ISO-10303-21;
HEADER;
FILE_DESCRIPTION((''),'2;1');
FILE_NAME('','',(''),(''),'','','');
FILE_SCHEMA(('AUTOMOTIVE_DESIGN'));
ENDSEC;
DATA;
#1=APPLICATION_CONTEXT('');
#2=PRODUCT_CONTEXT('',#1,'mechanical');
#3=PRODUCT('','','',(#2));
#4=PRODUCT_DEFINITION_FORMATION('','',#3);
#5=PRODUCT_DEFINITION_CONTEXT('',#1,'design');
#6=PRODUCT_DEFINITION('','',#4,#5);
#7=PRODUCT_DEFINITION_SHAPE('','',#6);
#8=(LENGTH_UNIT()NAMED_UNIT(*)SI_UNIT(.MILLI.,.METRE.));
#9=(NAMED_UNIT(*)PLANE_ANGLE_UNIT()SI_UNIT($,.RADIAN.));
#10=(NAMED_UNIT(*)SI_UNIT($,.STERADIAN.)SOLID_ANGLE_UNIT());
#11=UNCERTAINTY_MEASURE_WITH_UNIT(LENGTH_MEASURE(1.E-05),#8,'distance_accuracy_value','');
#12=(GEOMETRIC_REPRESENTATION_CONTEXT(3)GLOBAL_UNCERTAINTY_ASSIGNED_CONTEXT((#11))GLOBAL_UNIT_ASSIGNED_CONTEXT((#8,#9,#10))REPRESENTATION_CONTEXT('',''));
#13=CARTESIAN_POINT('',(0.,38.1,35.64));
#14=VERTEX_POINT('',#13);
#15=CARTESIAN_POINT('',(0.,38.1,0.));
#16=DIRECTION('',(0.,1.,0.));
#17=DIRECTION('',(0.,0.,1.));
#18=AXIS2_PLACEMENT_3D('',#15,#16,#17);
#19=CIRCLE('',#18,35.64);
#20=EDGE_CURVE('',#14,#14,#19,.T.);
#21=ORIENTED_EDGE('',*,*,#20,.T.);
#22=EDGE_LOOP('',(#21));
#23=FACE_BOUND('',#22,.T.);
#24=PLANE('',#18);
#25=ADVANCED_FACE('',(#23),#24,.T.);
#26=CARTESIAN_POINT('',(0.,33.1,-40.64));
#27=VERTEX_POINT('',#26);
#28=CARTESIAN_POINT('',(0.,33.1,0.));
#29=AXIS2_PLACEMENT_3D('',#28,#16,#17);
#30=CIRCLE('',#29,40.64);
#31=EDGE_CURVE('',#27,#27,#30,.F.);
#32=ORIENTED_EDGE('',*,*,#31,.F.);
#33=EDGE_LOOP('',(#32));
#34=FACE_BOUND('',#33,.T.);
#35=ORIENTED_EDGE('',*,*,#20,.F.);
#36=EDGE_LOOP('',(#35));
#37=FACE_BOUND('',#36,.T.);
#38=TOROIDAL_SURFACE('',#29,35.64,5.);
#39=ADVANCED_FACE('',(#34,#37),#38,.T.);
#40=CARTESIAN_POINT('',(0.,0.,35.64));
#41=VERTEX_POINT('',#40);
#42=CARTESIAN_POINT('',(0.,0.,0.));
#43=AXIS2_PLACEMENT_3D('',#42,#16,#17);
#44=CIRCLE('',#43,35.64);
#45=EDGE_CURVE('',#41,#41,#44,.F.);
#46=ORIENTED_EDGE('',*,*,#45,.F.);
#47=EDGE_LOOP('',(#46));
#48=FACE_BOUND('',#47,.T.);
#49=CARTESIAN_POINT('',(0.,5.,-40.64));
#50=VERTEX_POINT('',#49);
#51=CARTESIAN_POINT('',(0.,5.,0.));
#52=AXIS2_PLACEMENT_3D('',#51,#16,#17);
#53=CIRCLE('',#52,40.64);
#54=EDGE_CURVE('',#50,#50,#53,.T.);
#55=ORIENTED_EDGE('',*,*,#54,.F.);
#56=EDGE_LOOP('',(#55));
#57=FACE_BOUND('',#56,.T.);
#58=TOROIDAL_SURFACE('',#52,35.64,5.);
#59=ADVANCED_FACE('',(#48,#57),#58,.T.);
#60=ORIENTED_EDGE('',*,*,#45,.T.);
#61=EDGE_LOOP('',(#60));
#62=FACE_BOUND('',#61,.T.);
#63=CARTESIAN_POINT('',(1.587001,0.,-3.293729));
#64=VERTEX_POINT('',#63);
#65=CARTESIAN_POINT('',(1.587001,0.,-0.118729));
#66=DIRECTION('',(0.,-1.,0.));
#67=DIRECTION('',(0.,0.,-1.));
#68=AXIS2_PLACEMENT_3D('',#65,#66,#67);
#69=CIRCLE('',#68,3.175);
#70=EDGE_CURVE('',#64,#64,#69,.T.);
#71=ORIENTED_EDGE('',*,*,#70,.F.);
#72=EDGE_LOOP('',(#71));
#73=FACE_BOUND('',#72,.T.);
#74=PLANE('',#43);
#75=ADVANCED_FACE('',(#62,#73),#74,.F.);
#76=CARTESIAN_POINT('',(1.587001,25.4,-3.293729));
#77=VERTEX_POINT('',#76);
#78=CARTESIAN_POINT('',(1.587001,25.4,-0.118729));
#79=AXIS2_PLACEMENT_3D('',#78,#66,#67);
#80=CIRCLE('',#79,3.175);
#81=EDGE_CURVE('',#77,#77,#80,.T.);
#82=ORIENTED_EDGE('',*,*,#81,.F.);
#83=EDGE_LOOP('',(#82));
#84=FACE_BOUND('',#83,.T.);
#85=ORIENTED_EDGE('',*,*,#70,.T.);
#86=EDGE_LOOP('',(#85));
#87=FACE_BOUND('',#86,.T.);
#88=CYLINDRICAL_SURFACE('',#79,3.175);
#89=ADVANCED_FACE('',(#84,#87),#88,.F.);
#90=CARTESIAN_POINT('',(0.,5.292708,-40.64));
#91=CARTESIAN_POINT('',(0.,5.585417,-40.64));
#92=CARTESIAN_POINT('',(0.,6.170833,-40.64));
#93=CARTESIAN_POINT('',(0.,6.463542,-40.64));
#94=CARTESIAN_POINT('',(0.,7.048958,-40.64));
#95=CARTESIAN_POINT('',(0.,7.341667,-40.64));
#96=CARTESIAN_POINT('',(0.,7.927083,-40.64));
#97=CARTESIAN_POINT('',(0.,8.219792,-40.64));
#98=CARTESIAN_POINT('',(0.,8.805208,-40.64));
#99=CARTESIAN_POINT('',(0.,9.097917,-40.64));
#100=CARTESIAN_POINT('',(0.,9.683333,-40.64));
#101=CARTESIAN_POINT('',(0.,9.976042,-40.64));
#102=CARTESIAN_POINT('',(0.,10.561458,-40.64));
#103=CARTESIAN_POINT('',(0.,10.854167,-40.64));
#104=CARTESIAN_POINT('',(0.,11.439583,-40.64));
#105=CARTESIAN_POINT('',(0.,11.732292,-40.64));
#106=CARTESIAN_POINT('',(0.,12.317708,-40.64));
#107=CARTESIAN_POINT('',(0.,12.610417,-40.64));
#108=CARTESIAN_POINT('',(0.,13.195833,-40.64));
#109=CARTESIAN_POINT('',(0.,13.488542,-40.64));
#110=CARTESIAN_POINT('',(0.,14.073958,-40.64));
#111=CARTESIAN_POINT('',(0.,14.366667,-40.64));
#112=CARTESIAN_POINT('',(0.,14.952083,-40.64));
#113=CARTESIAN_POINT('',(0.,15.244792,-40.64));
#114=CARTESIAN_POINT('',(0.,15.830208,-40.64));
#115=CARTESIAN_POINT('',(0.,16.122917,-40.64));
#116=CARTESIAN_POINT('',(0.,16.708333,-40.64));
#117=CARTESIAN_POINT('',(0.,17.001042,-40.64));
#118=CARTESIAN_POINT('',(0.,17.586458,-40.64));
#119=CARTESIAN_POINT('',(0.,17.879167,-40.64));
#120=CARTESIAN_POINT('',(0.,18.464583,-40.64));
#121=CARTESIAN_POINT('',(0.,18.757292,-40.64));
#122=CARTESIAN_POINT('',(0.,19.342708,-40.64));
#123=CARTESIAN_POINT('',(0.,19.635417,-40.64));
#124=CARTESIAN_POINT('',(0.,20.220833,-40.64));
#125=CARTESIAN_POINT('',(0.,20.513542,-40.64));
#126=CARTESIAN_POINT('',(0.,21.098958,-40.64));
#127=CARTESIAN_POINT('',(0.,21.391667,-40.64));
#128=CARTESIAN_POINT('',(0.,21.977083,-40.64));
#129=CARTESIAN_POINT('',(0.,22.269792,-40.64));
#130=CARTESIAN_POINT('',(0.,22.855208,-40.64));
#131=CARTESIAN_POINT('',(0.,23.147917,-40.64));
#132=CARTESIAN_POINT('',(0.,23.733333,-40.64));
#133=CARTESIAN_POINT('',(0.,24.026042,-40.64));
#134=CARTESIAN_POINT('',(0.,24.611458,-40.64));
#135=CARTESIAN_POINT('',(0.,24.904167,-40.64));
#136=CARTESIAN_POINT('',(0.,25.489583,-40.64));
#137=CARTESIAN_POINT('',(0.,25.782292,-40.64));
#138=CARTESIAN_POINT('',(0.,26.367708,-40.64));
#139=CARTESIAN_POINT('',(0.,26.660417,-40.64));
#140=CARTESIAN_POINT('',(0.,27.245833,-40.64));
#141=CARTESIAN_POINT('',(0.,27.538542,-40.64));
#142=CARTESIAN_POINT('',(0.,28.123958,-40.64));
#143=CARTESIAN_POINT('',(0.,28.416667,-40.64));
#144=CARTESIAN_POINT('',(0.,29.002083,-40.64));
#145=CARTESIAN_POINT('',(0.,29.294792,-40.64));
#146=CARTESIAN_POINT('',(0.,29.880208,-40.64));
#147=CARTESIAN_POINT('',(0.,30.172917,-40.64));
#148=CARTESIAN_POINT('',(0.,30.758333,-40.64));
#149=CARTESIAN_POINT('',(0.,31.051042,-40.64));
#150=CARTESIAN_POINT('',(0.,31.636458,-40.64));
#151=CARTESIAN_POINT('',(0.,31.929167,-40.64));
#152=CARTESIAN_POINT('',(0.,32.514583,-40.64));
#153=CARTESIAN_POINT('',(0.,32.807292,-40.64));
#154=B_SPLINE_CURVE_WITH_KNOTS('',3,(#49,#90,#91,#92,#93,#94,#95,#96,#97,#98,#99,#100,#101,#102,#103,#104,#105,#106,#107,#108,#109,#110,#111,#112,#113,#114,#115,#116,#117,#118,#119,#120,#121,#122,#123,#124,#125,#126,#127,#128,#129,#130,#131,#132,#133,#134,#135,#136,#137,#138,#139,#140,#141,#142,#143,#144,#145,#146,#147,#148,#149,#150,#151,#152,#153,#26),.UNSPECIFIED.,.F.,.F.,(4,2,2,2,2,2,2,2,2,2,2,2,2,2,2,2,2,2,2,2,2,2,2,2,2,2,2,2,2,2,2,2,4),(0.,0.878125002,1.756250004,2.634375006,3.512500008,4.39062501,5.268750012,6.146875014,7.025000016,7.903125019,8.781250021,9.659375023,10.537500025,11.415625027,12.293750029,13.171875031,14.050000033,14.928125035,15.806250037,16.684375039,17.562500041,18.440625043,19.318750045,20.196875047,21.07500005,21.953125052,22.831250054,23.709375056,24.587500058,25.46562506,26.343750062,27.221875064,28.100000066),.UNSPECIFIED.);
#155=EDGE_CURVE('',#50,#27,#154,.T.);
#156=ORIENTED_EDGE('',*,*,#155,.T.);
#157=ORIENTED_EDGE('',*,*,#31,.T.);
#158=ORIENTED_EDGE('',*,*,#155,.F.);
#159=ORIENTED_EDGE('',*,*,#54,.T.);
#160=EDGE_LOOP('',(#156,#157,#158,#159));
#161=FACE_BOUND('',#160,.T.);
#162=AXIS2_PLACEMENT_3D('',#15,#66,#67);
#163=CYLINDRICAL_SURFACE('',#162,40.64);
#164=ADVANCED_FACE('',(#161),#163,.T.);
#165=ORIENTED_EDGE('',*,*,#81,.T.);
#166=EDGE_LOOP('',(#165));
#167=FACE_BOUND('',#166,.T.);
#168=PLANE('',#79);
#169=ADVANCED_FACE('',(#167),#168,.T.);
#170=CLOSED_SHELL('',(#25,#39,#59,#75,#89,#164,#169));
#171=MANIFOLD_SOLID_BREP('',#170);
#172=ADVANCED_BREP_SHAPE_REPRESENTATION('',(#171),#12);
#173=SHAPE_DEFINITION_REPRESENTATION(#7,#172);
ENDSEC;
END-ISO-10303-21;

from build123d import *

# Parameters (mm, degrees)
SKETCH1_R           = 40.64
BOSS_EXTRUDE1_DEPTH = 38.100000066
FILLET1_R           = 5
SKETCH2_R           = 3.175
CUT_EXTRUDE1_DEPTH  = 25.4


with BuildPart() as part:
    # Sketch1 → Boss-Extrude1 (new body)
    with BuildSketch(Plane(origin=(0, 0, 0), x_dir=(1, 0, 0), z_dir=(0, 1, 0))):
        with Locations(Location((0, 0, 0), (0, 0, 90))):
            Circle(SKETCH1_R)
    extrude(amount=BOSS_EXTRUDE1_DEPTH)

    # Fillet1
    fillet1_edges = [part.edges().sort_by_distance(p)[0] for p in [
        (0, 0, 40.64),
        (0, 38.100000066, 40.64),
    ]]
    fillet(fillet1_edges, radius=FILLET1_R)

    # Sketch2 → Cut-Extrude1 (cut)
    with BuildSketch(Plane.XZ):
        with Locations(Location((1.587001014, -0.118729115, 0), (0, 0, 270))):
            Circle(SKETCH2_R)
    extrude(amount=-CUT_EXTRUDE1_DEPTH, mode=Mode.SUBTRACT)


solid = part.part
